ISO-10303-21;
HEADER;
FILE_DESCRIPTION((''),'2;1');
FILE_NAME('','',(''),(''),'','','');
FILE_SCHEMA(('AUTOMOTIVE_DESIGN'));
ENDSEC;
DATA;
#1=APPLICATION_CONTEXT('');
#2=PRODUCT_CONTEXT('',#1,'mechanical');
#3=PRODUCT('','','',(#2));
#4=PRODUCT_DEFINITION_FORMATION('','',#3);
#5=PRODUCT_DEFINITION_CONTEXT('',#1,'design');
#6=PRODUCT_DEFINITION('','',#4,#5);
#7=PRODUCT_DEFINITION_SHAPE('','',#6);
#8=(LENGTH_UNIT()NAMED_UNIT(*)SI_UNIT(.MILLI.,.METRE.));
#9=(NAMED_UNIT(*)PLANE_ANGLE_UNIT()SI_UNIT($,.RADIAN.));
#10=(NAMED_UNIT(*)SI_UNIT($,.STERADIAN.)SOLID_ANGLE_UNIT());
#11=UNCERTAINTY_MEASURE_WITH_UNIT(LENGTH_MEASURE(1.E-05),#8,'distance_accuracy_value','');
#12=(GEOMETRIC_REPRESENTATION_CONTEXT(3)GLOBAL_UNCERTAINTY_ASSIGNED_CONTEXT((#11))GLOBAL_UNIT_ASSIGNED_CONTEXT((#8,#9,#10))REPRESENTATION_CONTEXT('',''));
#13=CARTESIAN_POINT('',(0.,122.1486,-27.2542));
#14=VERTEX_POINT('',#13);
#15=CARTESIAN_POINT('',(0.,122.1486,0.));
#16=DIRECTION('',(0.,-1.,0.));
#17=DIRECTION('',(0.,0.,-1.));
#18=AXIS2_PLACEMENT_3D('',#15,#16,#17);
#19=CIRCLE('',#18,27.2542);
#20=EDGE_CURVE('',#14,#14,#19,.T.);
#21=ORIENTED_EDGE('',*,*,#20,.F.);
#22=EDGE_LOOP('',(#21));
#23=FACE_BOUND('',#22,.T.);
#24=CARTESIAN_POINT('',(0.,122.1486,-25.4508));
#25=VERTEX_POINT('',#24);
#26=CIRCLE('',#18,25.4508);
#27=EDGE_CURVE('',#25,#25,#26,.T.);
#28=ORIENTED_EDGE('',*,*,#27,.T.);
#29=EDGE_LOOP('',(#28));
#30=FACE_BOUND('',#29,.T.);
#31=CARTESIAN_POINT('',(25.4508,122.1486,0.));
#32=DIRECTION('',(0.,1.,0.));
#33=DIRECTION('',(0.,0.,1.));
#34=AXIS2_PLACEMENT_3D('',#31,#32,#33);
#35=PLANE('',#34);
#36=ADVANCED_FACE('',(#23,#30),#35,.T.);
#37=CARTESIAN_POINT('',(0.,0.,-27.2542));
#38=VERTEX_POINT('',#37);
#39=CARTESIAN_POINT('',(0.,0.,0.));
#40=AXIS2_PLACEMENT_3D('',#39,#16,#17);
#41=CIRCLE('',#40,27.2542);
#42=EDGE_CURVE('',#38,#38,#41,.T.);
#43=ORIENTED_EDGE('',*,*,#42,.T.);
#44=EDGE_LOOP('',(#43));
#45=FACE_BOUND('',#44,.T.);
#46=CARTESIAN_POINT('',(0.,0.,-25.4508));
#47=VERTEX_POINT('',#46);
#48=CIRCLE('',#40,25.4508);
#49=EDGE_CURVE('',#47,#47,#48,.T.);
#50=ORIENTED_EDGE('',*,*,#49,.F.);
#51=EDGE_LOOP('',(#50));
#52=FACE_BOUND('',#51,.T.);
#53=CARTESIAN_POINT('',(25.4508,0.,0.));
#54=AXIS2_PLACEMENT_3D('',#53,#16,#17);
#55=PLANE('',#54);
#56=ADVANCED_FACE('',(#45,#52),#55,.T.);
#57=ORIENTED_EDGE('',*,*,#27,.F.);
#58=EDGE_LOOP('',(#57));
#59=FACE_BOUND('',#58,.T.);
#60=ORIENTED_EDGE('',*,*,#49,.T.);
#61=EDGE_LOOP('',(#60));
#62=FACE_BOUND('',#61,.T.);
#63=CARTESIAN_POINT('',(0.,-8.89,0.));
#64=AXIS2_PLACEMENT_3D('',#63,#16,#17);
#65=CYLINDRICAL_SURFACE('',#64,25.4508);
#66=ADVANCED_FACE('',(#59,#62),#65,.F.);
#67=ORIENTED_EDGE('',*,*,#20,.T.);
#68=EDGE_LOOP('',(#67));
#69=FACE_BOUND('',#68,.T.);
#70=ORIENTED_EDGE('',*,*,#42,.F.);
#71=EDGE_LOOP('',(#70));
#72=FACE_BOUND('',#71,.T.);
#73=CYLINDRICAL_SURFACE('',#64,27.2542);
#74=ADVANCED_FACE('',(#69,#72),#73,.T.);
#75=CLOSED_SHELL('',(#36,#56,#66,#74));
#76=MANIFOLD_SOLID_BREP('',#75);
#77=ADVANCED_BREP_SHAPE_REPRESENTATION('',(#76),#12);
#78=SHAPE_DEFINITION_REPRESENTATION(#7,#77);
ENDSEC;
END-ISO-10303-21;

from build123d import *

# Parameters (mm, degrees)
SKETCH1_W = 1.8034
SKETCH1_H = 122.1486


with BuildPart() as part:
    # Sketch1 → Revolve1 (revolve)
    with BuildSketch(Plane.XY):
        with Locations((26.3525, 61.0743)):
            Rectangle(SKETCH1_W, SKETCH1_H)
    revolve(axis=Axis((0, -8.89, 0), (0, 1, 0)))


solid = part.part
